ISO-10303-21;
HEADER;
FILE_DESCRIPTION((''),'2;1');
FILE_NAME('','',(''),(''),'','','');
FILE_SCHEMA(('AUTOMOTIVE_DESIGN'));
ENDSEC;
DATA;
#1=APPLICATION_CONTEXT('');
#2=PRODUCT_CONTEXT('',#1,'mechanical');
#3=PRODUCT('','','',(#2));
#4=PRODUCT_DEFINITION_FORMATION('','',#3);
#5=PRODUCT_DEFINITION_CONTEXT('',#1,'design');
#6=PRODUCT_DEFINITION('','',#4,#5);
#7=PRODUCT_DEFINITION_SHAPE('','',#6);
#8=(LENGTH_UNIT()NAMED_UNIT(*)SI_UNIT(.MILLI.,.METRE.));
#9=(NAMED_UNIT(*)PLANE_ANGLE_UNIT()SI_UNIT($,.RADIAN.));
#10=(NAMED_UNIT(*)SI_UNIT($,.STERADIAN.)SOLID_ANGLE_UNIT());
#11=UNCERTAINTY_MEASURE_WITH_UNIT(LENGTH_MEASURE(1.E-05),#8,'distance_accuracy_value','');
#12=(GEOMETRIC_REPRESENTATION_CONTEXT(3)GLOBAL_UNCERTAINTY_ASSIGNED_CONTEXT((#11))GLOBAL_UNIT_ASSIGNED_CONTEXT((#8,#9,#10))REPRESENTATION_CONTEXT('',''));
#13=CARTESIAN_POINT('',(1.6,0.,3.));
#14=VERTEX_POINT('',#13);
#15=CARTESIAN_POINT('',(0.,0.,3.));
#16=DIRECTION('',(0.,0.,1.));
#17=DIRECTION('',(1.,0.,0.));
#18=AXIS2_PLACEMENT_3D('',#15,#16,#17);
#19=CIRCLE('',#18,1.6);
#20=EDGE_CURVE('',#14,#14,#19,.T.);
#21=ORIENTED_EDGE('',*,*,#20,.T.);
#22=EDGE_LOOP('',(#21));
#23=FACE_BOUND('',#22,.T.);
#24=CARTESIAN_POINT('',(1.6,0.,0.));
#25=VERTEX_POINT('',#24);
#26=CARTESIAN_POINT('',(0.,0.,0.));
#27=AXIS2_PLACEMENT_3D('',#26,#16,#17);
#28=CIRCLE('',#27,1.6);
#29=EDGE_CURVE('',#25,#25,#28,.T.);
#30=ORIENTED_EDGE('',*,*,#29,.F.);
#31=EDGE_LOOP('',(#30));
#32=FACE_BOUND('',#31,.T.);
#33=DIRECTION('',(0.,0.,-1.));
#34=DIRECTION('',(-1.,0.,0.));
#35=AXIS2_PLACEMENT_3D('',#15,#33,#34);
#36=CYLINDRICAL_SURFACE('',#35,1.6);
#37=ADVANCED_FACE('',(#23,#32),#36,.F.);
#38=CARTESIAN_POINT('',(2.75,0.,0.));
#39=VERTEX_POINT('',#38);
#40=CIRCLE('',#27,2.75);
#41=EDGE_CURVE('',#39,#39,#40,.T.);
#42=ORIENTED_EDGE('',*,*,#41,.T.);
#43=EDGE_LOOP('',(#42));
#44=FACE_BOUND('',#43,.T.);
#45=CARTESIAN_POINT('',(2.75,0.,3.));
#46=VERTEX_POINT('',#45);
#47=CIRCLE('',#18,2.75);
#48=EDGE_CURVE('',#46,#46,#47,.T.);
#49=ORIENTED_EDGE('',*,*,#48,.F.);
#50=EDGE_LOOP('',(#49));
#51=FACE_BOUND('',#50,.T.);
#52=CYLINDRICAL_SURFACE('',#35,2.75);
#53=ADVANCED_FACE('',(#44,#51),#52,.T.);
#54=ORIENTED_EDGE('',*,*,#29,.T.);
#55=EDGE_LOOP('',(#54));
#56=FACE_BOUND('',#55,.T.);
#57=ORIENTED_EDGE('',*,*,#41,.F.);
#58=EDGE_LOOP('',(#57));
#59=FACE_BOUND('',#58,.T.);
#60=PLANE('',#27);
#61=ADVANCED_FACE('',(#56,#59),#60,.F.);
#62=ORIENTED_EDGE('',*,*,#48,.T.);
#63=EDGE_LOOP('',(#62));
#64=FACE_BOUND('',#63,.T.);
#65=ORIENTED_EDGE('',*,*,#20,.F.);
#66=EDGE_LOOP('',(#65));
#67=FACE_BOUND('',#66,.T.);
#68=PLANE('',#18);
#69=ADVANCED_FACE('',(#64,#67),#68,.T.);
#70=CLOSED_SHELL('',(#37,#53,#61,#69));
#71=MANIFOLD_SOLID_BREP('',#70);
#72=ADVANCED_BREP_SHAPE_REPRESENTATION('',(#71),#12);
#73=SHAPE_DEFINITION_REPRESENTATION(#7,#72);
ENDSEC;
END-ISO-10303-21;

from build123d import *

# Parameters (mm, degrees)
ESQUISSE1_R        = 2.75
ESQUISSE1_R_2      = 1.6
BOSS_EXTRU_1_DEPTH = 3


with BuildPart() as part:
    # Esquisse1 → Boss.-Extru.1 (new body)
    with BuildSketch(Plane.XY):
        Circle(ESQUISSE1_R)
        Circle(ESQUISSE1_R_2, mode=Mode.SUBTRACT)
    extrude(amount=BOSS_EXTRU_1_DEPTH)


solid = part.part
